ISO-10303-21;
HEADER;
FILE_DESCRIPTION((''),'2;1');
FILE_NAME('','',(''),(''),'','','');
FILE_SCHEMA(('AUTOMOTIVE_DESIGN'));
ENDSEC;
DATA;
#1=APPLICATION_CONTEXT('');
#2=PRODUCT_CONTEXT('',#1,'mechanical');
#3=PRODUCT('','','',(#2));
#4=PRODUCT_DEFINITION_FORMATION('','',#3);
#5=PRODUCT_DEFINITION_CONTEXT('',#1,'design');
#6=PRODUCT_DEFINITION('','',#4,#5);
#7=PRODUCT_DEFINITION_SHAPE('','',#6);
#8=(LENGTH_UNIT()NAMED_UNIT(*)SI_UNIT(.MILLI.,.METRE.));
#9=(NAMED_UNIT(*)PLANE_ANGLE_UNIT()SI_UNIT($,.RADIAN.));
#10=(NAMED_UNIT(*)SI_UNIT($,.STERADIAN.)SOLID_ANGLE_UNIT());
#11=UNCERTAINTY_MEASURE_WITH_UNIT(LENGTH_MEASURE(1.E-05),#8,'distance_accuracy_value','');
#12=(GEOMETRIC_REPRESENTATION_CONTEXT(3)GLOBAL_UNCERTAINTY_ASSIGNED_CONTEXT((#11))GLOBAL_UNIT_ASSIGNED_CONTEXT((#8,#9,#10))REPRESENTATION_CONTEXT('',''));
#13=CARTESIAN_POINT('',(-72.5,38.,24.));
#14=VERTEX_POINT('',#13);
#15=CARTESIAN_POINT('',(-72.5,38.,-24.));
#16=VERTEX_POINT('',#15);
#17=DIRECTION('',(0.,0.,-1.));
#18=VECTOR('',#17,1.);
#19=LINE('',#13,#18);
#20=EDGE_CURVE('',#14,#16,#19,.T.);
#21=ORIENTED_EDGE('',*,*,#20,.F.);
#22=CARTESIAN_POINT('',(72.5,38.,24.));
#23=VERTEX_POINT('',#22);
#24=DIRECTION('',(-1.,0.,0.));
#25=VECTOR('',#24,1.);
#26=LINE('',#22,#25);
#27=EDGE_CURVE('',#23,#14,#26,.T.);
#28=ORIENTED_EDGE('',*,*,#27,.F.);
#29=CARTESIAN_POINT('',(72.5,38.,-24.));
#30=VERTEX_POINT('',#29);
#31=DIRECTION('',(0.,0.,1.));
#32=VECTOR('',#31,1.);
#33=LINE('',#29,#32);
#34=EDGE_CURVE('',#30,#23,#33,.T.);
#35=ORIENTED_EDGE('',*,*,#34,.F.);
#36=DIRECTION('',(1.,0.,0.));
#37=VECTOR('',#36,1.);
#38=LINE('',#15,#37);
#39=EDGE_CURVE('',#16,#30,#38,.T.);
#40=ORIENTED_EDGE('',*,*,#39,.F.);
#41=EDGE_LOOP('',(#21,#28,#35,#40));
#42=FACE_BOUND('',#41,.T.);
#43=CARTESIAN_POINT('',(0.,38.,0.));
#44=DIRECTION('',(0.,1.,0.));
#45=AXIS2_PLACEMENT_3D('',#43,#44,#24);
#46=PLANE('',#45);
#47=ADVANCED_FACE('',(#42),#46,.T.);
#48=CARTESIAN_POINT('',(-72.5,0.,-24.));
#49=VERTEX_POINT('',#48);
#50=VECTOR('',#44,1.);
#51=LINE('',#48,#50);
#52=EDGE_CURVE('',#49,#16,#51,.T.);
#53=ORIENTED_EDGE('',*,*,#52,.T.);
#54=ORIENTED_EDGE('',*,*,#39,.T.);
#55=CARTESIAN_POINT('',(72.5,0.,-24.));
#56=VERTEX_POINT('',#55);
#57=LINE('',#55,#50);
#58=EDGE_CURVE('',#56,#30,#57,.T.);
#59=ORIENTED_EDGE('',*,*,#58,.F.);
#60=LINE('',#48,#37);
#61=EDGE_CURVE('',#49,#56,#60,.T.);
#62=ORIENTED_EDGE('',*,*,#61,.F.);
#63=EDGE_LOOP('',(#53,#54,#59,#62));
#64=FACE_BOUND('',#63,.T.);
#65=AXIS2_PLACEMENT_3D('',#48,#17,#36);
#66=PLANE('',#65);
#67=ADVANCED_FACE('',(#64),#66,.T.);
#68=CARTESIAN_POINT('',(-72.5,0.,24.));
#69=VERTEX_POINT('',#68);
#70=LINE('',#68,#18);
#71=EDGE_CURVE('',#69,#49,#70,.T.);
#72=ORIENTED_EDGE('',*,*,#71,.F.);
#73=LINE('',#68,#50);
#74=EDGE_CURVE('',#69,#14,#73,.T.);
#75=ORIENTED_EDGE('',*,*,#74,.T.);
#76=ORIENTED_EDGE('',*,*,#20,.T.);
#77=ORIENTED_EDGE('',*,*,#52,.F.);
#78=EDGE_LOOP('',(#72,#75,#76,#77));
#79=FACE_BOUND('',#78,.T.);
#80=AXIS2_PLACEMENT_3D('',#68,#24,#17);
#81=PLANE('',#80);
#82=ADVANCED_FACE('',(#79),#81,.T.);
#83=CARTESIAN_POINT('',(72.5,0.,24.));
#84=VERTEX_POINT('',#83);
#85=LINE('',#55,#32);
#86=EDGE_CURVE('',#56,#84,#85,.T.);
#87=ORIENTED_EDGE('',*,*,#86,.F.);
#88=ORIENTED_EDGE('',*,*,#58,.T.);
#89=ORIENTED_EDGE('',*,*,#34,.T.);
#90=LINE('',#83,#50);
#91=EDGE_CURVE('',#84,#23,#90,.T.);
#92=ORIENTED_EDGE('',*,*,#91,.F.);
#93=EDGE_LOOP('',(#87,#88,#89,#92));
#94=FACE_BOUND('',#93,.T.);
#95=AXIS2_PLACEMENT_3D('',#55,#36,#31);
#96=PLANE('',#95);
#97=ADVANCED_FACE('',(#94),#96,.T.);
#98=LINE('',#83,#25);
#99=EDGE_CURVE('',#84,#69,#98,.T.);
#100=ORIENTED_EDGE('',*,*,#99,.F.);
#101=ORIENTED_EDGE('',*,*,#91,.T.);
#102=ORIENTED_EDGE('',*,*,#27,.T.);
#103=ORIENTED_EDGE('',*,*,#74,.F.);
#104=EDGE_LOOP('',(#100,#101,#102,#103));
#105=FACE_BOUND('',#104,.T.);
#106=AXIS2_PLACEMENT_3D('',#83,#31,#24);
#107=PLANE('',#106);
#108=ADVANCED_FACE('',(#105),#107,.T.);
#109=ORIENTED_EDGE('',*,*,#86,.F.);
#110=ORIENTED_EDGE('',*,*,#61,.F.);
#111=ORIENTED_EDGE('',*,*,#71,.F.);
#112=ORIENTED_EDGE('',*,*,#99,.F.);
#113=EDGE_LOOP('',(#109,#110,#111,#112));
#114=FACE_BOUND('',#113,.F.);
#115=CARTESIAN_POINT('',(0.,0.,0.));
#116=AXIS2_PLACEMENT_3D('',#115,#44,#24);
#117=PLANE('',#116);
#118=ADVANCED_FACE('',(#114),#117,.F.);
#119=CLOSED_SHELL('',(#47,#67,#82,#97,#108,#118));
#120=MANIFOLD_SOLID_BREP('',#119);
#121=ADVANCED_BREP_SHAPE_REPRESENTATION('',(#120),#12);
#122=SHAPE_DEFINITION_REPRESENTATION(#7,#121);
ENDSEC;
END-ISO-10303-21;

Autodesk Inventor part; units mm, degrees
ref_plane "YZ Plane" through (0, 0, 0) normal (1, 0, 0) x (0, 1, 0)
ref_plane "XZ Plane" through (0, 0, 0) normal (0, 1, 0) x (-1, 0, 0)
ref_plane "XY Plane" through (0, 0, 0) normal (0, 0, 1) x (1, 0, 0)
sketch "Esquisse1" plane through (0, 0, 0) normal (0, 1, 0) x (-1, 0, 0)
  line L0 (-72.5, 24) -> (72.5, 24)
  line L1 (72.5, 24) -> (72.5, -24)
  line L2 (72.5, -24) -> (-72.5, -24)
  line L3 (-72.5, -24) -> (-72.5, 24)
  point P0 (0, 0)
  dimension "d0" = 48
  dimension "d1" = 145
  dimension "d2" = 72.5
  dimension "d3" = 24
extrude "Extrusion1" add sketch "Esquisse1" along normal blind 38
equation "\"d2\" = 0.5 * d1"
equation "\"d3\" = 0.5 * d0"
properties part number "lipo4s"
